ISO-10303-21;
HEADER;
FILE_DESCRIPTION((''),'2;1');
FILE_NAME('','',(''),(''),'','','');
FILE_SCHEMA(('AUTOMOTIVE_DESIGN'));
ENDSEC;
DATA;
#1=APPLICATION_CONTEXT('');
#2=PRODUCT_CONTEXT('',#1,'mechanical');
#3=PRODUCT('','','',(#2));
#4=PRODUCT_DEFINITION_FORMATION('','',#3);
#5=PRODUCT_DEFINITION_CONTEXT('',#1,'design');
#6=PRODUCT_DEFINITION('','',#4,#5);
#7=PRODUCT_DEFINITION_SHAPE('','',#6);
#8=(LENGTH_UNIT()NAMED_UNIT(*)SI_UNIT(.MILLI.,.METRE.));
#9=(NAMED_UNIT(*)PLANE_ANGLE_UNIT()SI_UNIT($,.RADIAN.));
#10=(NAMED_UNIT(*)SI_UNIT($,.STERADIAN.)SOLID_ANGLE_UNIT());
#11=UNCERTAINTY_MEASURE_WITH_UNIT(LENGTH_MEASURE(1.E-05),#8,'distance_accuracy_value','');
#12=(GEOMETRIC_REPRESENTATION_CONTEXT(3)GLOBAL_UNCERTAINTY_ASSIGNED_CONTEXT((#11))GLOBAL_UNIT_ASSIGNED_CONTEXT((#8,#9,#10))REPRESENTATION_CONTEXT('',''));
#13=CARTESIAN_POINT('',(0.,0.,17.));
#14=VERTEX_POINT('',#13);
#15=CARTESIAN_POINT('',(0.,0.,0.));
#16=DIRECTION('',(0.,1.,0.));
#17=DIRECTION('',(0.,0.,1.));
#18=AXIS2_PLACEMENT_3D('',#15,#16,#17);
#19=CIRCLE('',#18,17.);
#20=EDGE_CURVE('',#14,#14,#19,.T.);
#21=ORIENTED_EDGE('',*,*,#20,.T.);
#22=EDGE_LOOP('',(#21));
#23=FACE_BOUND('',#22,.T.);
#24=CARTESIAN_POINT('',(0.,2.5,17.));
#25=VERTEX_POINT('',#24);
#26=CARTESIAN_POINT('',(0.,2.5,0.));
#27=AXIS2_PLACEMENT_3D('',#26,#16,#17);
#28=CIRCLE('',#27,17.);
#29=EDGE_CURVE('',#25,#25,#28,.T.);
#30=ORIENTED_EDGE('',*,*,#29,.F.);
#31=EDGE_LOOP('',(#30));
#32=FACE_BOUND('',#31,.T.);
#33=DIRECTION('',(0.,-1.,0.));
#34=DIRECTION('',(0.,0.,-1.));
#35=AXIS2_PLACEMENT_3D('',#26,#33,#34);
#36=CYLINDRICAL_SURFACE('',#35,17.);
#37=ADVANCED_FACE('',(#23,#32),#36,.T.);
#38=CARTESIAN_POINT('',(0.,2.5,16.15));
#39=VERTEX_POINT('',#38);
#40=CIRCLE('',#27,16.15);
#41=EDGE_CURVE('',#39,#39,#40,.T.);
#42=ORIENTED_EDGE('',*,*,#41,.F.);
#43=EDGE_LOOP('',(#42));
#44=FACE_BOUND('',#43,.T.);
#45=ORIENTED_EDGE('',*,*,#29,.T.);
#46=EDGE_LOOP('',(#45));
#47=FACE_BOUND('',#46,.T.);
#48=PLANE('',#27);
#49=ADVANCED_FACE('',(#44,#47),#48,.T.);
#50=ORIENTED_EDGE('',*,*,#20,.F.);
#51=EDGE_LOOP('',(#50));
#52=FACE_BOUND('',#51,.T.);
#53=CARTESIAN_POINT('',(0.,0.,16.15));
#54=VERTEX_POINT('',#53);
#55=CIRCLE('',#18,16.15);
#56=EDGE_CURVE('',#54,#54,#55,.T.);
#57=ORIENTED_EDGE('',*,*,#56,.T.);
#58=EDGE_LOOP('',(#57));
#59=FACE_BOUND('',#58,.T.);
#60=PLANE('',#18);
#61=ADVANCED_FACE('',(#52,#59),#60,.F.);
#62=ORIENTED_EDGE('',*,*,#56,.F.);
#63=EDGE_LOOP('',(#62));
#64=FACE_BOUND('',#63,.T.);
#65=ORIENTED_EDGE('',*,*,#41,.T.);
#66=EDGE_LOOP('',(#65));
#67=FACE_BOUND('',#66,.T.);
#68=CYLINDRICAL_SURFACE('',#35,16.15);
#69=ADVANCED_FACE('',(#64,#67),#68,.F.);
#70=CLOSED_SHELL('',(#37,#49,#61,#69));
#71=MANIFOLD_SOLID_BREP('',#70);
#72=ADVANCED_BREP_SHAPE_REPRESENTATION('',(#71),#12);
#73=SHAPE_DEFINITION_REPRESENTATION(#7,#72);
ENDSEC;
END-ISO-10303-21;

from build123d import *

# Parameters (mm, degrees)
SKETCH1_R           = 17
SKETCH1_R_2         = 16.15
BOSS_EXTRUDE1_DEPTH = 2.5


with BuildPart() as part:
    # Sketch1 → Boss-Extrude1 (new body)
    with BuildSketch(Plane(origin=(0, 0, 0), x_dir=(1, 0, 0), z_dir=(0, 1, 0))):
        with Locations(Location((0, 0, 0), (0, 0, 270))):
            Circle(SKETCH1_R)
        with Locations(Location((0, 0, 0), (0, 0, 270))):
            Circle(SKETCH1_R_2, mode=Mode.SUBTRACT)
    extrude(amount=BOSS_EXTRUDE1_DEPTH)


solid = part.part
